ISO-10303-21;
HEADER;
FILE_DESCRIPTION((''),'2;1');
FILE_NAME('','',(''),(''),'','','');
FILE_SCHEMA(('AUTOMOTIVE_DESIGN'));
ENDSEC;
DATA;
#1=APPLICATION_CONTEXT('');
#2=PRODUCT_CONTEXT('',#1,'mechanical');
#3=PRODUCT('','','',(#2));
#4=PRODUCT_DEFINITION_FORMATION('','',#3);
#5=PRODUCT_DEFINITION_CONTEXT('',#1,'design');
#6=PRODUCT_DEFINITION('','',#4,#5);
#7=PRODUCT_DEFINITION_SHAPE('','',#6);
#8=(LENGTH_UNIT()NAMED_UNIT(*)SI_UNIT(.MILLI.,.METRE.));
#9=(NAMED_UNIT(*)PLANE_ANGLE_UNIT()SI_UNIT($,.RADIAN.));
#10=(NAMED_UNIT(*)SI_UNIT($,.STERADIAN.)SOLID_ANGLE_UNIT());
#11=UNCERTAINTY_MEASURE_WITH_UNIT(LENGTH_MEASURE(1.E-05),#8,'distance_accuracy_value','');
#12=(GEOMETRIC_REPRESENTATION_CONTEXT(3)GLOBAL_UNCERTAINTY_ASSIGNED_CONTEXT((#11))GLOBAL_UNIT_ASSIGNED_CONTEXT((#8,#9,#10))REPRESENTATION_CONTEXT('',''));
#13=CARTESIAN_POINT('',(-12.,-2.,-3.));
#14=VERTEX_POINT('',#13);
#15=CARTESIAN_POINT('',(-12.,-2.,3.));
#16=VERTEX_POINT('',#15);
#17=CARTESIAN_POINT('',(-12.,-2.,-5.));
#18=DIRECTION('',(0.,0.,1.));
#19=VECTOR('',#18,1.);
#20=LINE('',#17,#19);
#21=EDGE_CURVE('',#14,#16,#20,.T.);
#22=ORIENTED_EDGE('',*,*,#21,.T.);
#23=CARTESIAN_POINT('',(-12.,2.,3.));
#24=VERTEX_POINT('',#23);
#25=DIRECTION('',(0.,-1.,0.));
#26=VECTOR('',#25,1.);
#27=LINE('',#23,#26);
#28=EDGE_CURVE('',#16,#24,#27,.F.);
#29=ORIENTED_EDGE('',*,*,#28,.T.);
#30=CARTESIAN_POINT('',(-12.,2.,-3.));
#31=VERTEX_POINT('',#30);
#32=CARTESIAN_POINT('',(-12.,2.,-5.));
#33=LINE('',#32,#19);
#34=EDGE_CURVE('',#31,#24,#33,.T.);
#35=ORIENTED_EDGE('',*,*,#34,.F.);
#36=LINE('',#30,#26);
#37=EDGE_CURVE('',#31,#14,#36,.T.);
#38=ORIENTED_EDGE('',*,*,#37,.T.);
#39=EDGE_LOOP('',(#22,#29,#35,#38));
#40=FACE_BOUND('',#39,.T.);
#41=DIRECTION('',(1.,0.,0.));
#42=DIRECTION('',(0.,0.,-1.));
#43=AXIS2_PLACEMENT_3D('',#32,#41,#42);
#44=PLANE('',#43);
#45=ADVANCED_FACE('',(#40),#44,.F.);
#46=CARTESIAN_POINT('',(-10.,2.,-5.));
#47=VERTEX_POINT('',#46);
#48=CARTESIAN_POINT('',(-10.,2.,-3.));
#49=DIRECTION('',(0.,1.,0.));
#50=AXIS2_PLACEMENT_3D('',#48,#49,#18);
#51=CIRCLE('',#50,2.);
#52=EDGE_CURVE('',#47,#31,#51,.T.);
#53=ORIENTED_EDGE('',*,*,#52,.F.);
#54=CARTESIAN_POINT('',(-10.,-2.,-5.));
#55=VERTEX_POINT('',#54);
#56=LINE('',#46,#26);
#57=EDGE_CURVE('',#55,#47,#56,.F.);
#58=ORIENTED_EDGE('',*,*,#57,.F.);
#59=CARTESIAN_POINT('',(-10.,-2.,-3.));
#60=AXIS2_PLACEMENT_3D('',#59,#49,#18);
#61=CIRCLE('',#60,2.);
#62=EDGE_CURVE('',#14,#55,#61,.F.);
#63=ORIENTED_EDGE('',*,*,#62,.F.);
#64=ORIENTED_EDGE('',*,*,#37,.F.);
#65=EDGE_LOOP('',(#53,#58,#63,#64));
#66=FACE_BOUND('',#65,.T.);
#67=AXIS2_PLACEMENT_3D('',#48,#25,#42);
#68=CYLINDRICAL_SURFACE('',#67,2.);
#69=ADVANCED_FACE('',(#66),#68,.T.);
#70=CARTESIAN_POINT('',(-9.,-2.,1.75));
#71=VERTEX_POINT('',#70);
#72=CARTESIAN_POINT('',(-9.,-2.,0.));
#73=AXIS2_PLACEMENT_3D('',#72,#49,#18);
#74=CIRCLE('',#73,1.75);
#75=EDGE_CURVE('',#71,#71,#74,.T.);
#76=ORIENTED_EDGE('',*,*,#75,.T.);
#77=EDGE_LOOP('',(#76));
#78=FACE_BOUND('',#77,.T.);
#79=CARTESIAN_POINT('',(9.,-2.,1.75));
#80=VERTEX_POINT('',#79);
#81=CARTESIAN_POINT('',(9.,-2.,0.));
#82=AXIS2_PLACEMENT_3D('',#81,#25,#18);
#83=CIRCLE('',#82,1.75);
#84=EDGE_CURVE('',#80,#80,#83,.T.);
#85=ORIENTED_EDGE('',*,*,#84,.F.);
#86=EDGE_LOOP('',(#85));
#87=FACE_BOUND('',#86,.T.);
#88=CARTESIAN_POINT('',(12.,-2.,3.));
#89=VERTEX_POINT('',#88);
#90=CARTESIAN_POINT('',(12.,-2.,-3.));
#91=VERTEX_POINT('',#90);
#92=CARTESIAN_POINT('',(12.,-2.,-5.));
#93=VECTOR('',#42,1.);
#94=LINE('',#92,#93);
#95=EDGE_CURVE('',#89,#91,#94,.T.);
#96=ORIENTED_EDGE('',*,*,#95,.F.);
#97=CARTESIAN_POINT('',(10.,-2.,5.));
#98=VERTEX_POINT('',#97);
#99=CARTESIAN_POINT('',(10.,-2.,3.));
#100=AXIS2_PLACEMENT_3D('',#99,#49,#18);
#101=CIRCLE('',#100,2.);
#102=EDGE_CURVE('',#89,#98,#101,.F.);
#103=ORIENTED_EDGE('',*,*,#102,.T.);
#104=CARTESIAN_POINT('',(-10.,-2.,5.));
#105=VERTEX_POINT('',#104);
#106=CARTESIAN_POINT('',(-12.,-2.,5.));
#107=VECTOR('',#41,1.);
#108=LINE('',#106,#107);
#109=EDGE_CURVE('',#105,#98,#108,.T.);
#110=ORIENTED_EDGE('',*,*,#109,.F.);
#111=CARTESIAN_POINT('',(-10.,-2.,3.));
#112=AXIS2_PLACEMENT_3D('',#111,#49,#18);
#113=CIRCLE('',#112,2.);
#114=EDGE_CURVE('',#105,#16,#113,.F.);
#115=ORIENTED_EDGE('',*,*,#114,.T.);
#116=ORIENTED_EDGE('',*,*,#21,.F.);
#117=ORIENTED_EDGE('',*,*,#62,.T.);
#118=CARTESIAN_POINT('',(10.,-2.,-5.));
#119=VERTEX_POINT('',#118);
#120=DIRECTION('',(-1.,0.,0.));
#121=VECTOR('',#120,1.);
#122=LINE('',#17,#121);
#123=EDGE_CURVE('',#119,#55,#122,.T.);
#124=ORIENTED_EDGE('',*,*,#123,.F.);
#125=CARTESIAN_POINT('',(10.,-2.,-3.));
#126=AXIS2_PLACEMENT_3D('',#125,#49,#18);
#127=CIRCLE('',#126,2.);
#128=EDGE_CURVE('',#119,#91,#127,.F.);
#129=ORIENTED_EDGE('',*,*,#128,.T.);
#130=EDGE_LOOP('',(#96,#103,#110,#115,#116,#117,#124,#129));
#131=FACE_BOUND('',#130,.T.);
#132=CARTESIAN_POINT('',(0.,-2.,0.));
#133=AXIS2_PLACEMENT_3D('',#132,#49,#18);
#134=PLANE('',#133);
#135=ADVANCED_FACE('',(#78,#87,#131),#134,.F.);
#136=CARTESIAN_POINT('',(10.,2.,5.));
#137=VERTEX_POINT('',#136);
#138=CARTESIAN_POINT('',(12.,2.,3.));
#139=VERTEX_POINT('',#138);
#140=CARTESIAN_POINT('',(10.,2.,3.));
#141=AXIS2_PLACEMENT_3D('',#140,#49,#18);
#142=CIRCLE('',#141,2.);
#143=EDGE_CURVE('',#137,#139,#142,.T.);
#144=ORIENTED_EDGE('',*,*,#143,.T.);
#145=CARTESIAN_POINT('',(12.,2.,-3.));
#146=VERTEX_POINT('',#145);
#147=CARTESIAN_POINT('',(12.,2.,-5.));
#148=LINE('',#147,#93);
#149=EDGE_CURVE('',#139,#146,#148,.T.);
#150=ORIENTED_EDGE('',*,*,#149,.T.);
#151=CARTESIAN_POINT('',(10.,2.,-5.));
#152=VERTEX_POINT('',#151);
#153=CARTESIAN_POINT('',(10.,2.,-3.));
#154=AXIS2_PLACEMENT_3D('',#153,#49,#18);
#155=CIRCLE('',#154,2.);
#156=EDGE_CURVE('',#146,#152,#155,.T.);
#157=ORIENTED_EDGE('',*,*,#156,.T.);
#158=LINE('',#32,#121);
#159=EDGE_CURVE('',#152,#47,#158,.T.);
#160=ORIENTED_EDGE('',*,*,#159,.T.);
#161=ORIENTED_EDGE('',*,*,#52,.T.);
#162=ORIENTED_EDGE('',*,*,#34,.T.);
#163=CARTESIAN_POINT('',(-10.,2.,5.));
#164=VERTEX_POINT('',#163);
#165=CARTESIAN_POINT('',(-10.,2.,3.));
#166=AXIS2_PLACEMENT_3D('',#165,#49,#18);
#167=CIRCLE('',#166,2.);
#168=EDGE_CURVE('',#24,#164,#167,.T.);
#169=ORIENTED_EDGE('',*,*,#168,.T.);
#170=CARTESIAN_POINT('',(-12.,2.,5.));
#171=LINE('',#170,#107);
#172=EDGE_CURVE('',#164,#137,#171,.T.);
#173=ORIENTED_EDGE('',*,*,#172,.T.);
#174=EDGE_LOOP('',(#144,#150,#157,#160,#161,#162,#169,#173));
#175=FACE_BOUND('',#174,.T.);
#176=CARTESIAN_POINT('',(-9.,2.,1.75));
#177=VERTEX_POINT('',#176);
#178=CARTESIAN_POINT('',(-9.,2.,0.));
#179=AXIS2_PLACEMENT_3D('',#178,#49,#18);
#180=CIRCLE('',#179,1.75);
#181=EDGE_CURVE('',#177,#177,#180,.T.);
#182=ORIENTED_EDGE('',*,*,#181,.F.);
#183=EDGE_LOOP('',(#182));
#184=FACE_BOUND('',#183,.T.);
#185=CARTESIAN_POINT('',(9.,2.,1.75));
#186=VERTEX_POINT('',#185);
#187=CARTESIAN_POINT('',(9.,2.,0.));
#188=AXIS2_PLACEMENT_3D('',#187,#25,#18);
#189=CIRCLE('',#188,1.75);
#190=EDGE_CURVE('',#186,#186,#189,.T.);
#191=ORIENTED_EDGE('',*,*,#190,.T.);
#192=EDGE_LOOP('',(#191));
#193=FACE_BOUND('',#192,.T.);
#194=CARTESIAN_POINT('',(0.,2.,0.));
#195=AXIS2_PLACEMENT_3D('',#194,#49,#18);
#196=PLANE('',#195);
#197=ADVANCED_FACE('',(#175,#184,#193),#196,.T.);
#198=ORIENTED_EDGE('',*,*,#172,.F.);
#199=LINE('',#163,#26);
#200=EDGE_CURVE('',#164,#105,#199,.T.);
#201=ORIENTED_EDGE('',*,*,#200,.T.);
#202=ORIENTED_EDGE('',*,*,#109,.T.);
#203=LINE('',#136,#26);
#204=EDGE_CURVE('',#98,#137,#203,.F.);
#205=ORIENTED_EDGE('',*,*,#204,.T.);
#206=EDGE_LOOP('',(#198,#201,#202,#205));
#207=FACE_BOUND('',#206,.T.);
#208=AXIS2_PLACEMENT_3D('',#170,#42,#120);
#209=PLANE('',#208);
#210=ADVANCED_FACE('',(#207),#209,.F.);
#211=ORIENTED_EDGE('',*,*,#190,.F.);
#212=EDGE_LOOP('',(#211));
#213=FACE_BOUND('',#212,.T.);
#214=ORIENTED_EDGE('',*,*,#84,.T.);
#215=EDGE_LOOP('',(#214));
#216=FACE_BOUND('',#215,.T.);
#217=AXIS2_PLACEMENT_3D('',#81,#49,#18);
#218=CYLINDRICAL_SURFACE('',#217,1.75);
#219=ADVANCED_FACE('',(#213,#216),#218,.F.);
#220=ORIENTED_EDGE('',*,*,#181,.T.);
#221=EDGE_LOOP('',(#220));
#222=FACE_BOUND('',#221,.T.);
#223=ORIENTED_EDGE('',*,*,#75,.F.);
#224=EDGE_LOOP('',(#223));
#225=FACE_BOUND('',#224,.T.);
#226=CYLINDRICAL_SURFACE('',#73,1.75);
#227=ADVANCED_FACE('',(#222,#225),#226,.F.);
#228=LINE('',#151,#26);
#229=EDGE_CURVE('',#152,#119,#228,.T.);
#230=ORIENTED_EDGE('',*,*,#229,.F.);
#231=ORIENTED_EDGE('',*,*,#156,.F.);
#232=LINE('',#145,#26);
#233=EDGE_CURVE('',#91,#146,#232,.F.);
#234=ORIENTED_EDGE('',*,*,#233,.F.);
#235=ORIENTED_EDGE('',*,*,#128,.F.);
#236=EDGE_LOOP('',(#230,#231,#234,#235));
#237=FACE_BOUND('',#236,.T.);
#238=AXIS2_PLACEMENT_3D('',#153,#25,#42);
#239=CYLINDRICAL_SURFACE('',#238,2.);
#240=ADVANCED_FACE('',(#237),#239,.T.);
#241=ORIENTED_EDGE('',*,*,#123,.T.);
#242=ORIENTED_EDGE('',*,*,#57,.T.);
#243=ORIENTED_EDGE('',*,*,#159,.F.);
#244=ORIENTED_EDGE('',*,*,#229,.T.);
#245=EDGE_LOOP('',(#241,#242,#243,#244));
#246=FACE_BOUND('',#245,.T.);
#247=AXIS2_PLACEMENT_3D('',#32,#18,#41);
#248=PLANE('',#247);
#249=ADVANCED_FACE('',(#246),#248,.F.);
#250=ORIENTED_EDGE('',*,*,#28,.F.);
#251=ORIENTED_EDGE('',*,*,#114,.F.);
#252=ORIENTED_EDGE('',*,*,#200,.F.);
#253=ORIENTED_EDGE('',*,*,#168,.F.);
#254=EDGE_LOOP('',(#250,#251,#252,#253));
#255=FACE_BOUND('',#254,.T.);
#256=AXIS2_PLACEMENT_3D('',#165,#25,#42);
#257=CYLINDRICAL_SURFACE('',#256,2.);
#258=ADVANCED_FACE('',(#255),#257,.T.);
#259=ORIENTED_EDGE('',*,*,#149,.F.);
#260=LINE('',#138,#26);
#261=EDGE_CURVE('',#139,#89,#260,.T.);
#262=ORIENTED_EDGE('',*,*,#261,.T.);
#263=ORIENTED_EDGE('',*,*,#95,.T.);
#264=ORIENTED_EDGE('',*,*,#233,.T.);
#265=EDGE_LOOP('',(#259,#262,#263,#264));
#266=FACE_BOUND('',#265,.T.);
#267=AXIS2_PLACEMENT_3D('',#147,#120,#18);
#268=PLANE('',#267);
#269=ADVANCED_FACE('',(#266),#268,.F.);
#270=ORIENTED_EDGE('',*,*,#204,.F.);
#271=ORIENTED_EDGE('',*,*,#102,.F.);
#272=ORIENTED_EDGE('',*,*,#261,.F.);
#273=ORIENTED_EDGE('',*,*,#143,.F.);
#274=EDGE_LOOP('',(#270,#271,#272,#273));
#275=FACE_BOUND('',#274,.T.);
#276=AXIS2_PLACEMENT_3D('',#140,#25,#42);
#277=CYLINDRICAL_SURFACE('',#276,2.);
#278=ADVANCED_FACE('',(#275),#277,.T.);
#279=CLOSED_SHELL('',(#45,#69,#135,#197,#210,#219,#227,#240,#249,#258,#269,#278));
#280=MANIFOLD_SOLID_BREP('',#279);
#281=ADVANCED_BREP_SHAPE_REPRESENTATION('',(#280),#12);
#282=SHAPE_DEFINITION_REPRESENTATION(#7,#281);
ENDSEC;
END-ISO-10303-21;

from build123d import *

# Parameters (mm, degrees)
ESBO_O1_W                = 24
ESBO_O1_H                = 10
RESSALTO_EXTRUS_O1_DEPTH = 2
ESBO_O2_R                = 1.75
CORTE_EXTRUS_O1_DEPTH    = 14.601470509
FILETE1_R                = 2


with BuildPart() as part:
    # Esboço1 → Ressalto-extrusão1 (new, symmetric)
    with BuildSketch(Plane(origin=(0, 0, 0), x_dir=(1, 0, 0), z_dir=(0, 1, 0))):
        Rectangle(ESBO_O1_W, ESBO_O1_H)
    extrude(amount=RESSALTO_EXTRUS_O1_DEPTH, both=True)

    # Esboço2 → Corte-extrusão1 (cut, through all)
    with BuildSketch(Plane(origin=(0, 2, 0), x_dir=(1, 0, 0), z_dir=(0, 1, 0))):
        with Locations(Location((-9, 0, 0), (0, 0, 270))):
            Circle(ESBO_O2_R)
    corte_extrus_o1 = extrude(amount=-CORTE_EXTRUS_O1_DEPTH, mode=Mode.SUBTRACT)

    # Espelhar1: Corte-extrusão1 across plane
    add(corte_extrus_o1.mirror(Plane(origin=(0, 0, 0), x_dir=(0, 0, 1), z_dir=(1, 0, 0))), mode=Mode.SUBTRACT)

    # Filete1
    filete1_edges = [part.edges().sort_by_distance(p)[0] for p in [
        (12, 0, 5),
        (-12, 0, 5),
        (-12, 0, -5),
        (12, 0, -5),
    ]]
    fillet(filete1_edges, radius=FILETE1_R)


solid = part.part
